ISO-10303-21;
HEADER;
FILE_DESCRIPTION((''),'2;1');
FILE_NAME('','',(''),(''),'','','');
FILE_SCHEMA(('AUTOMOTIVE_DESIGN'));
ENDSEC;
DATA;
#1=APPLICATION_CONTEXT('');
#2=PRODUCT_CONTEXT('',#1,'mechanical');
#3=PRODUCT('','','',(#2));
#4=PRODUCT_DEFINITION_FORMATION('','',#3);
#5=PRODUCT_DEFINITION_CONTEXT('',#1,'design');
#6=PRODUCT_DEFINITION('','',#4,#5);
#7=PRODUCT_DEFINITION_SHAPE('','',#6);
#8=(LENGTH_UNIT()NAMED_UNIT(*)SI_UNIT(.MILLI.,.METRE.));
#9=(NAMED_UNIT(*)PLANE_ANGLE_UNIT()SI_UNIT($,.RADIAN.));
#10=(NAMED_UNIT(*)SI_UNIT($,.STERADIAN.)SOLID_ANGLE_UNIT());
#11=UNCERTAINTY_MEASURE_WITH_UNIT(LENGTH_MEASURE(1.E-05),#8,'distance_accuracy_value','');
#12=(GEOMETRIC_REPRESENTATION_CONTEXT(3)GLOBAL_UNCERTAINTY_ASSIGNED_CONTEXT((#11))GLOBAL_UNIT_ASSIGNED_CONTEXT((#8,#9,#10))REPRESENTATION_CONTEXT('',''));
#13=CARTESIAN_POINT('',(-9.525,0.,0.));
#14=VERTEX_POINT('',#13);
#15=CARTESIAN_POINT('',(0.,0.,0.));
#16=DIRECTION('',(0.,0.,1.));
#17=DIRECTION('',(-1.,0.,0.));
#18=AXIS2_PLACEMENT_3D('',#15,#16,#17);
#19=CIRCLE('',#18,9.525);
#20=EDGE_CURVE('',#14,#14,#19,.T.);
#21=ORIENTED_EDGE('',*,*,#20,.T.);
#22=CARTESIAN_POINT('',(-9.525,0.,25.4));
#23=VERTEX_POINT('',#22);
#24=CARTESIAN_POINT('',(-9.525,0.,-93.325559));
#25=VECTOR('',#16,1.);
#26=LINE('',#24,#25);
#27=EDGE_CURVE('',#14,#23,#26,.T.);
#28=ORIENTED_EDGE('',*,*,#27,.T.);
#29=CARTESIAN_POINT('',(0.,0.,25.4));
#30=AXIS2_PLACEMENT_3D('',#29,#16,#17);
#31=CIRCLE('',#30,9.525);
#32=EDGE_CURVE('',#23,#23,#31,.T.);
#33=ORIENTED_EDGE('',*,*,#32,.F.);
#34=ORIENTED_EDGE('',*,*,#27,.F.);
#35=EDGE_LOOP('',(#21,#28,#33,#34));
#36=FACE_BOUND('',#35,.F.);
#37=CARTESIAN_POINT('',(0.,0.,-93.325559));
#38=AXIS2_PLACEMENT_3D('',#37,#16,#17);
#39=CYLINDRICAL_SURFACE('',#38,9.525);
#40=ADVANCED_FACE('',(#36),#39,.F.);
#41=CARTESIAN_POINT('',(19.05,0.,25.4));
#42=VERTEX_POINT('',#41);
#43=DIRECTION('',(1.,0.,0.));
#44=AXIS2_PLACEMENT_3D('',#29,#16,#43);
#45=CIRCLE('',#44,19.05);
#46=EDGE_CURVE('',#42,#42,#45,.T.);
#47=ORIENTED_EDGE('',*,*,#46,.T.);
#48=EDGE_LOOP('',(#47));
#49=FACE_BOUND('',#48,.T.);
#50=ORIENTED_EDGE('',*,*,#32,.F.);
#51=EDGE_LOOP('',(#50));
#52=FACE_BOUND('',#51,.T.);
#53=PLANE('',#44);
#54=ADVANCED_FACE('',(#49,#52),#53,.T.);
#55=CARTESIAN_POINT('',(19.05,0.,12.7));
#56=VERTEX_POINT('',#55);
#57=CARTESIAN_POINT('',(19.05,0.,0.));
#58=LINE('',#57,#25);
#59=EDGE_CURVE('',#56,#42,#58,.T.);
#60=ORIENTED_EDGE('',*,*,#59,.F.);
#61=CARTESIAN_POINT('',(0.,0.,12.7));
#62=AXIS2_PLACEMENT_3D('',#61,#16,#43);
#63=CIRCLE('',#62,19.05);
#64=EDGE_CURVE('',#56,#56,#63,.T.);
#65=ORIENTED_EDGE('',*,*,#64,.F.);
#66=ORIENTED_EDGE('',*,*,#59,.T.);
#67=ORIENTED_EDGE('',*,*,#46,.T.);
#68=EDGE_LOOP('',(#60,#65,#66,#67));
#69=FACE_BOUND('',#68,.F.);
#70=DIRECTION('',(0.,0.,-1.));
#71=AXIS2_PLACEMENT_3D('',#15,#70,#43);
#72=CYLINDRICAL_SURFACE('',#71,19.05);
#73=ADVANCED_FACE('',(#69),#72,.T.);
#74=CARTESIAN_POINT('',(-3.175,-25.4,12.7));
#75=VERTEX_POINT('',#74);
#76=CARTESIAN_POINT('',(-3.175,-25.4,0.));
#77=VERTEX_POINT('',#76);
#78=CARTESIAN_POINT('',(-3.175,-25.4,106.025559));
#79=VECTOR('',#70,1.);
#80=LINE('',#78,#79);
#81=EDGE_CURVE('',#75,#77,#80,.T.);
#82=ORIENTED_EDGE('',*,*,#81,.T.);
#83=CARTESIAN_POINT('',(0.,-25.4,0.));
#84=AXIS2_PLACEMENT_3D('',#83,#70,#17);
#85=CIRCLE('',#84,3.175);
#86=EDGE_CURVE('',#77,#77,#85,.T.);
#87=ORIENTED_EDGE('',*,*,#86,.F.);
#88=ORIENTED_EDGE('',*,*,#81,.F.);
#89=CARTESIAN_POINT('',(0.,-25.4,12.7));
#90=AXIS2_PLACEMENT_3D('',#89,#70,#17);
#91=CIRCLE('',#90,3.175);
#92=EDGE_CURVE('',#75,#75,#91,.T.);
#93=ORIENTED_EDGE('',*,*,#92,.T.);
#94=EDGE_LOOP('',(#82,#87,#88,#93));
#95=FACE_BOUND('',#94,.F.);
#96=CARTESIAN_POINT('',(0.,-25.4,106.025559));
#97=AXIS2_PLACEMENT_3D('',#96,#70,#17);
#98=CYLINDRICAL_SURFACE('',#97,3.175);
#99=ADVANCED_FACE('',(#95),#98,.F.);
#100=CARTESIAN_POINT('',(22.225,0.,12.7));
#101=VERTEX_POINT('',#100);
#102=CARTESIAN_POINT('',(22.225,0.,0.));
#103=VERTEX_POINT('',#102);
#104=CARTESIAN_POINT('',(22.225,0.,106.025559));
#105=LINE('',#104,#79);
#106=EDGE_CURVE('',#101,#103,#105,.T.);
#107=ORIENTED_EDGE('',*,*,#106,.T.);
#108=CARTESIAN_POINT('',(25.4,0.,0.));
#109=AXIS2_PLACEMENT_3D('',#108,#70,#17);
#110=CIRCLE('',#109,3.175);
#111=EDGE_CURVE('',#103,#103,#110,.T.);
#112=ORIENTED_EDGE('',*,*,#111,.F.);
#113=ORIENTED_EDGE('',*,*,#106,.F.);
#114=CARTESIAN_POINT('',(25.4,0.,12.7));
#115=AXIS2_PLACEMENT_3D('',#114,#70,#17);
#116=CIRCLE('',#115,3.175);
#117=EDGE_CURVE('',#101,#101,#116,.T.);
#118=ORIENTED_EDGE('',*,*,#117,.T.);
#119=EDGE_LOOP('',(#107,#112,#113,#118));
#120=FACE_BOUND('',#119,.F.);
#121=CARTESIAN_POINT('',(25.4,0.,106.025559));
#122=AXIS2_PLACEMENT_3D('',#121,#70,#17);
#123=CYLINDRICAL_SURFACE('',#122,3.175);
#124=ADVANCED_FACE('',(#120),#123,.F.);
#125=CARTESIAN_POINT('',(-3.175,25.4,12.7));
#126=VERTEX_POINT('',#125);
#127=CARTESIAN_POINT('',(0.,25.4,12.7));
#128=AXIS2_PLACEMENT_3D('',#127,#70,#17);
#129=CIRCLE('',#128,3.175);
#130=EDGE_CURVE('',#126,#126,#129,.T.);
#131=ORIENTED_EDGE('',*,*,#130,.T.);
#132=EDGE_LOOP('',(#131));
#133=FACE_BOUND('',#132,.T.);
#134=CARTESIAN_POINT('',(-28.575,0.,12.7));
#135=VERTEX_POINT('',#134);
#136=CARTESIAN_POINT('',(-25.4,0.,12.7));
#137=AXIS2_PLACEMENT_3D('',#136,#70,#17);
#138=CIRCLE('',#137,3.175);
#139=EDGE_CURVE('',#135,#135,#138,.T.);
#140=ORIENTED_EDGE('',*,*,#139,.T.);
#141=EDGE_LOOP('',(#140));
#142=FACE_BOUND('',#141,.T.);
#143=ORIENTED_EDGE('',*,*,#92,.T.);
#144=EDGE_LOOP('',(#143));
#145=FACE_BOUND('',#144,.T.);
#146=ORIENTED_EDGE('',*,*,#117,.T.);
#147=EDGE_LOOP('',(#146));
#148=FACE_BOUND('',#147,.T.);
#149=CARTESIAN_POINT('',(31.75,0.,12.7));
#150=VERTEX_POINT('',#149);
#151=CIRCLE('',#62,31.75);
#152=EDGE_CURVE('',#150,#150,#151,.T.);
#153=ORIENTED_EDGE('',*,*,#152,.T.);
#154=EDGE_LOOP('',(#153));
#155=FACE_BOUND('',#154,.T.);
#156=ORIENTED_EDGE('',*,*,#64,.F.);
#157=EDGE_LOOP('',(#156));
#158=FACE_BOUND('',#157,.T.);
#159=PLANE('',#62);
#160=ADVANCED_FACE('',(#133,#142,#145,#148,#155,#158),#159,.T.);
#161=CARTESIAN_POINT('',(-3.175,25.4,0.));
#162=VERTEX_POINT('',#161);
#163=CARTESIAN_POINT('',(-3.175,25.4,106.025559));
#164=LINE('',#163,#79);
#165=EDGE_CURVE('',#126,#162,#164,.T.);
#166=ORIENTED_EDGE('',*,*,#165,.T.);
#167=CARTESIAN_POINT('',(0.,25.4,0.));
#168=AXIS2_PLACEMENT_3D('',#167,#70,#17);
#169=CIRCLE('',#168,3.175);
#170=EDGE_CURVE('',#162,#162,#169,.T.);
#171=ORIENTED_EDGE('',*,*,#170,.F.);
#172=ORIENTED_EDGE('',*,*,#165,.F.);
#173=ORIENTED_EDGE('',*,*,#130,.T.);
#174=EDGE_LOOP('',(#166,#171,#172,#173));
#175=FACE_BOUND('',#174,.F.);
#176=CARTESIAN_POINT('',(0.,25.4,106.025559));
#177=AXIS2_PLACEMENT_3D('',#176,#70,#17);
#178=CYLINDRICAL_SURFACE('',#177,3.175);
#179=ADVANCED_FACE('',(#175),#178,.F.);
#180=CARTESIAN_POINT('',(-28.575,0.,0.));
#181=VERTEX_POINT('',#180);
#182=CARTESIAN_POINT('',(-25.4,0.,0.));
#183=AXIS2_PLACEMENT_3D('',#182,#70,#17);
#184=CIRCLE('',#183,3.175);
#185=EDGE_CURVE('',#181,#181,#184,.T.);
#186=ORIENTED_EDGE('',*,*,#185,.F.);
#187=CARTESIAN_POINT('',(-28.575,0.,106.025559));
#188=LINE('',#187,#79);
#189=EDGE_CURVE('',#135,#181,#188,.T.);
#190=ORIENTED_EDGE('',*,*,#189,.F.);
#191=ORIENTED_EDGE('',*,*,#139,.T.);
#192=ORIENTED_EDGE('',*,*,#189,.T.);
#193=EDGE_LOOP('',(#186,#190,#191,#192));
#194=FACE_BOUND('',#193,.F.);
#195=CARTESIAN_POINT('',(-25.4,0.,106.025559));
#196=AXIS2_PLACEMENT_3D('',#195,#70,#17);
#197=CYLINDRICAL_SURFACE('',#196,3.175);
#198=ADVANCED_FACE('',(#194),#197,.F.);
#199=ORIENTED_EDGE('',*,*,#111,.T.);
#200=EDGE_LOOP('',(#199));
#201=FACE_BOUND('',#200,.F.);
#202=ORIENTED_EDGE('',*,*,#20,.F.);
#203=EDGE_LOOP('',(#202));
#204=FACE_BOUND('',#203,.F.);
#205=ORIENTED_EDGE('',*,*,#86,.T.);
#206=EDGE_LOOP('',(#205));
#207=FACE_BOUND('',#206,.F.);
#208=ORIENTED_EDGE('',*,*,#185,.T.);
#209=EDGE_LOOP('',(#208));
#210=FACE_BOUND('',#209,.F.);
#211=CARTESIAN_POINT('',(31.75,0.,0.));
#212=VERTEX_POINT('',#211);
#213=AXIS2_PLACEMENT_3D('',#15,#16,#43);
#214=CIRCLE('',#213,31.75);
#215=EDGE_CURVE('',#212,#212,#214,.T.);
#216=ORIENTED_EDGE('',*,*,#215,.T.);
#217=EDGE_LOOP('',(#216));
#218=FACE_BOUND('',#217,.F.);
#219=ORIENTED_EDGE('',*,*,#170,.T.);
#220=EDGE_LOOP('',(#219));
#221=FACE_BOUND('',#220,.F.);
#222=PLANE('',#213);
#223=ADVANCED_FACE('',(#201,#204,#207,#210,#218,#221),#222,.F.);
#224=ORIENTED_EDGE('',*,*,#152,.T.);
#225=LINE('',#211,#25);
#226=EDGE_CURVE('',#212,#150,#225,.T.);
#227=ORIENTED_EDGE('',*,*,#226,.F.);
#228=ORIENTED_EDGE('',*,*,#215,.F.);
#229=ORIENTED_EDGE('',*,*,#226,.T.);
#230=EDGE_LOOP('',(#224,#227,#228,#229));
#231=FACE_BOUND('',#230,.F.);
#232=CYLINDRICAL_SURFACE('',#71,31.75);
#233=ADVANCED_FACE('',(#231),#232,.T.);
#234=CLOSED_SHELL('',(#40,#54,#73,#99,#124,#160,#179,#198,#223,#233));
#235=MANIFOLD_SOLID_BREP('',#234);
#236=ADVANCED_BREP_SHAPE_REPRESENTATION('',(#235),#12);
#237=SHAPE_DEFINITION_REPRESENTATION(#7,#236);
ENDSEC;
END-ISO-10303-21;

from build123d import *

# Parameters (mm, degrees)
F0_R     = 31.75
F0_R_2   = 19.05
F1_DEPTH = 12.7
F2_DEPTH = 25.4
F3_D     = 19.05
F5_D     = 6.35


with BuildPart() as f1:
    # F0 (on Top) → F1 (new body)
    with BuildSketch(Plane.XY):
        Circle(F0_R)
        Circle(F0_R_2, mode=Mode.SUBTRACT)
    extrude(amount=F1_DEPTH)

    # F0 (on Top) → F2 (join)
    with BuildSketch(Plane.XY):
        Circle(F0_R_2)
    extrude(amount=F2_DEPTH)

    # F3 (through all)
    with Locations(Plane(origin=(0, 0, 0), x_dir=(1, 0, 0), z_dir=(0, 0, -1))):
        with Locations((0, 0)):
            Hole(F3_D / 2)

    # F5 (through all)
    with Locations(Plane.XY.offset(12.7)):
        with Locations((0, 25.4), (-25.4, 0), (0, -25.4), (25.4, 0)):
            Hole(F5_D / 2)


solid = f1.part
